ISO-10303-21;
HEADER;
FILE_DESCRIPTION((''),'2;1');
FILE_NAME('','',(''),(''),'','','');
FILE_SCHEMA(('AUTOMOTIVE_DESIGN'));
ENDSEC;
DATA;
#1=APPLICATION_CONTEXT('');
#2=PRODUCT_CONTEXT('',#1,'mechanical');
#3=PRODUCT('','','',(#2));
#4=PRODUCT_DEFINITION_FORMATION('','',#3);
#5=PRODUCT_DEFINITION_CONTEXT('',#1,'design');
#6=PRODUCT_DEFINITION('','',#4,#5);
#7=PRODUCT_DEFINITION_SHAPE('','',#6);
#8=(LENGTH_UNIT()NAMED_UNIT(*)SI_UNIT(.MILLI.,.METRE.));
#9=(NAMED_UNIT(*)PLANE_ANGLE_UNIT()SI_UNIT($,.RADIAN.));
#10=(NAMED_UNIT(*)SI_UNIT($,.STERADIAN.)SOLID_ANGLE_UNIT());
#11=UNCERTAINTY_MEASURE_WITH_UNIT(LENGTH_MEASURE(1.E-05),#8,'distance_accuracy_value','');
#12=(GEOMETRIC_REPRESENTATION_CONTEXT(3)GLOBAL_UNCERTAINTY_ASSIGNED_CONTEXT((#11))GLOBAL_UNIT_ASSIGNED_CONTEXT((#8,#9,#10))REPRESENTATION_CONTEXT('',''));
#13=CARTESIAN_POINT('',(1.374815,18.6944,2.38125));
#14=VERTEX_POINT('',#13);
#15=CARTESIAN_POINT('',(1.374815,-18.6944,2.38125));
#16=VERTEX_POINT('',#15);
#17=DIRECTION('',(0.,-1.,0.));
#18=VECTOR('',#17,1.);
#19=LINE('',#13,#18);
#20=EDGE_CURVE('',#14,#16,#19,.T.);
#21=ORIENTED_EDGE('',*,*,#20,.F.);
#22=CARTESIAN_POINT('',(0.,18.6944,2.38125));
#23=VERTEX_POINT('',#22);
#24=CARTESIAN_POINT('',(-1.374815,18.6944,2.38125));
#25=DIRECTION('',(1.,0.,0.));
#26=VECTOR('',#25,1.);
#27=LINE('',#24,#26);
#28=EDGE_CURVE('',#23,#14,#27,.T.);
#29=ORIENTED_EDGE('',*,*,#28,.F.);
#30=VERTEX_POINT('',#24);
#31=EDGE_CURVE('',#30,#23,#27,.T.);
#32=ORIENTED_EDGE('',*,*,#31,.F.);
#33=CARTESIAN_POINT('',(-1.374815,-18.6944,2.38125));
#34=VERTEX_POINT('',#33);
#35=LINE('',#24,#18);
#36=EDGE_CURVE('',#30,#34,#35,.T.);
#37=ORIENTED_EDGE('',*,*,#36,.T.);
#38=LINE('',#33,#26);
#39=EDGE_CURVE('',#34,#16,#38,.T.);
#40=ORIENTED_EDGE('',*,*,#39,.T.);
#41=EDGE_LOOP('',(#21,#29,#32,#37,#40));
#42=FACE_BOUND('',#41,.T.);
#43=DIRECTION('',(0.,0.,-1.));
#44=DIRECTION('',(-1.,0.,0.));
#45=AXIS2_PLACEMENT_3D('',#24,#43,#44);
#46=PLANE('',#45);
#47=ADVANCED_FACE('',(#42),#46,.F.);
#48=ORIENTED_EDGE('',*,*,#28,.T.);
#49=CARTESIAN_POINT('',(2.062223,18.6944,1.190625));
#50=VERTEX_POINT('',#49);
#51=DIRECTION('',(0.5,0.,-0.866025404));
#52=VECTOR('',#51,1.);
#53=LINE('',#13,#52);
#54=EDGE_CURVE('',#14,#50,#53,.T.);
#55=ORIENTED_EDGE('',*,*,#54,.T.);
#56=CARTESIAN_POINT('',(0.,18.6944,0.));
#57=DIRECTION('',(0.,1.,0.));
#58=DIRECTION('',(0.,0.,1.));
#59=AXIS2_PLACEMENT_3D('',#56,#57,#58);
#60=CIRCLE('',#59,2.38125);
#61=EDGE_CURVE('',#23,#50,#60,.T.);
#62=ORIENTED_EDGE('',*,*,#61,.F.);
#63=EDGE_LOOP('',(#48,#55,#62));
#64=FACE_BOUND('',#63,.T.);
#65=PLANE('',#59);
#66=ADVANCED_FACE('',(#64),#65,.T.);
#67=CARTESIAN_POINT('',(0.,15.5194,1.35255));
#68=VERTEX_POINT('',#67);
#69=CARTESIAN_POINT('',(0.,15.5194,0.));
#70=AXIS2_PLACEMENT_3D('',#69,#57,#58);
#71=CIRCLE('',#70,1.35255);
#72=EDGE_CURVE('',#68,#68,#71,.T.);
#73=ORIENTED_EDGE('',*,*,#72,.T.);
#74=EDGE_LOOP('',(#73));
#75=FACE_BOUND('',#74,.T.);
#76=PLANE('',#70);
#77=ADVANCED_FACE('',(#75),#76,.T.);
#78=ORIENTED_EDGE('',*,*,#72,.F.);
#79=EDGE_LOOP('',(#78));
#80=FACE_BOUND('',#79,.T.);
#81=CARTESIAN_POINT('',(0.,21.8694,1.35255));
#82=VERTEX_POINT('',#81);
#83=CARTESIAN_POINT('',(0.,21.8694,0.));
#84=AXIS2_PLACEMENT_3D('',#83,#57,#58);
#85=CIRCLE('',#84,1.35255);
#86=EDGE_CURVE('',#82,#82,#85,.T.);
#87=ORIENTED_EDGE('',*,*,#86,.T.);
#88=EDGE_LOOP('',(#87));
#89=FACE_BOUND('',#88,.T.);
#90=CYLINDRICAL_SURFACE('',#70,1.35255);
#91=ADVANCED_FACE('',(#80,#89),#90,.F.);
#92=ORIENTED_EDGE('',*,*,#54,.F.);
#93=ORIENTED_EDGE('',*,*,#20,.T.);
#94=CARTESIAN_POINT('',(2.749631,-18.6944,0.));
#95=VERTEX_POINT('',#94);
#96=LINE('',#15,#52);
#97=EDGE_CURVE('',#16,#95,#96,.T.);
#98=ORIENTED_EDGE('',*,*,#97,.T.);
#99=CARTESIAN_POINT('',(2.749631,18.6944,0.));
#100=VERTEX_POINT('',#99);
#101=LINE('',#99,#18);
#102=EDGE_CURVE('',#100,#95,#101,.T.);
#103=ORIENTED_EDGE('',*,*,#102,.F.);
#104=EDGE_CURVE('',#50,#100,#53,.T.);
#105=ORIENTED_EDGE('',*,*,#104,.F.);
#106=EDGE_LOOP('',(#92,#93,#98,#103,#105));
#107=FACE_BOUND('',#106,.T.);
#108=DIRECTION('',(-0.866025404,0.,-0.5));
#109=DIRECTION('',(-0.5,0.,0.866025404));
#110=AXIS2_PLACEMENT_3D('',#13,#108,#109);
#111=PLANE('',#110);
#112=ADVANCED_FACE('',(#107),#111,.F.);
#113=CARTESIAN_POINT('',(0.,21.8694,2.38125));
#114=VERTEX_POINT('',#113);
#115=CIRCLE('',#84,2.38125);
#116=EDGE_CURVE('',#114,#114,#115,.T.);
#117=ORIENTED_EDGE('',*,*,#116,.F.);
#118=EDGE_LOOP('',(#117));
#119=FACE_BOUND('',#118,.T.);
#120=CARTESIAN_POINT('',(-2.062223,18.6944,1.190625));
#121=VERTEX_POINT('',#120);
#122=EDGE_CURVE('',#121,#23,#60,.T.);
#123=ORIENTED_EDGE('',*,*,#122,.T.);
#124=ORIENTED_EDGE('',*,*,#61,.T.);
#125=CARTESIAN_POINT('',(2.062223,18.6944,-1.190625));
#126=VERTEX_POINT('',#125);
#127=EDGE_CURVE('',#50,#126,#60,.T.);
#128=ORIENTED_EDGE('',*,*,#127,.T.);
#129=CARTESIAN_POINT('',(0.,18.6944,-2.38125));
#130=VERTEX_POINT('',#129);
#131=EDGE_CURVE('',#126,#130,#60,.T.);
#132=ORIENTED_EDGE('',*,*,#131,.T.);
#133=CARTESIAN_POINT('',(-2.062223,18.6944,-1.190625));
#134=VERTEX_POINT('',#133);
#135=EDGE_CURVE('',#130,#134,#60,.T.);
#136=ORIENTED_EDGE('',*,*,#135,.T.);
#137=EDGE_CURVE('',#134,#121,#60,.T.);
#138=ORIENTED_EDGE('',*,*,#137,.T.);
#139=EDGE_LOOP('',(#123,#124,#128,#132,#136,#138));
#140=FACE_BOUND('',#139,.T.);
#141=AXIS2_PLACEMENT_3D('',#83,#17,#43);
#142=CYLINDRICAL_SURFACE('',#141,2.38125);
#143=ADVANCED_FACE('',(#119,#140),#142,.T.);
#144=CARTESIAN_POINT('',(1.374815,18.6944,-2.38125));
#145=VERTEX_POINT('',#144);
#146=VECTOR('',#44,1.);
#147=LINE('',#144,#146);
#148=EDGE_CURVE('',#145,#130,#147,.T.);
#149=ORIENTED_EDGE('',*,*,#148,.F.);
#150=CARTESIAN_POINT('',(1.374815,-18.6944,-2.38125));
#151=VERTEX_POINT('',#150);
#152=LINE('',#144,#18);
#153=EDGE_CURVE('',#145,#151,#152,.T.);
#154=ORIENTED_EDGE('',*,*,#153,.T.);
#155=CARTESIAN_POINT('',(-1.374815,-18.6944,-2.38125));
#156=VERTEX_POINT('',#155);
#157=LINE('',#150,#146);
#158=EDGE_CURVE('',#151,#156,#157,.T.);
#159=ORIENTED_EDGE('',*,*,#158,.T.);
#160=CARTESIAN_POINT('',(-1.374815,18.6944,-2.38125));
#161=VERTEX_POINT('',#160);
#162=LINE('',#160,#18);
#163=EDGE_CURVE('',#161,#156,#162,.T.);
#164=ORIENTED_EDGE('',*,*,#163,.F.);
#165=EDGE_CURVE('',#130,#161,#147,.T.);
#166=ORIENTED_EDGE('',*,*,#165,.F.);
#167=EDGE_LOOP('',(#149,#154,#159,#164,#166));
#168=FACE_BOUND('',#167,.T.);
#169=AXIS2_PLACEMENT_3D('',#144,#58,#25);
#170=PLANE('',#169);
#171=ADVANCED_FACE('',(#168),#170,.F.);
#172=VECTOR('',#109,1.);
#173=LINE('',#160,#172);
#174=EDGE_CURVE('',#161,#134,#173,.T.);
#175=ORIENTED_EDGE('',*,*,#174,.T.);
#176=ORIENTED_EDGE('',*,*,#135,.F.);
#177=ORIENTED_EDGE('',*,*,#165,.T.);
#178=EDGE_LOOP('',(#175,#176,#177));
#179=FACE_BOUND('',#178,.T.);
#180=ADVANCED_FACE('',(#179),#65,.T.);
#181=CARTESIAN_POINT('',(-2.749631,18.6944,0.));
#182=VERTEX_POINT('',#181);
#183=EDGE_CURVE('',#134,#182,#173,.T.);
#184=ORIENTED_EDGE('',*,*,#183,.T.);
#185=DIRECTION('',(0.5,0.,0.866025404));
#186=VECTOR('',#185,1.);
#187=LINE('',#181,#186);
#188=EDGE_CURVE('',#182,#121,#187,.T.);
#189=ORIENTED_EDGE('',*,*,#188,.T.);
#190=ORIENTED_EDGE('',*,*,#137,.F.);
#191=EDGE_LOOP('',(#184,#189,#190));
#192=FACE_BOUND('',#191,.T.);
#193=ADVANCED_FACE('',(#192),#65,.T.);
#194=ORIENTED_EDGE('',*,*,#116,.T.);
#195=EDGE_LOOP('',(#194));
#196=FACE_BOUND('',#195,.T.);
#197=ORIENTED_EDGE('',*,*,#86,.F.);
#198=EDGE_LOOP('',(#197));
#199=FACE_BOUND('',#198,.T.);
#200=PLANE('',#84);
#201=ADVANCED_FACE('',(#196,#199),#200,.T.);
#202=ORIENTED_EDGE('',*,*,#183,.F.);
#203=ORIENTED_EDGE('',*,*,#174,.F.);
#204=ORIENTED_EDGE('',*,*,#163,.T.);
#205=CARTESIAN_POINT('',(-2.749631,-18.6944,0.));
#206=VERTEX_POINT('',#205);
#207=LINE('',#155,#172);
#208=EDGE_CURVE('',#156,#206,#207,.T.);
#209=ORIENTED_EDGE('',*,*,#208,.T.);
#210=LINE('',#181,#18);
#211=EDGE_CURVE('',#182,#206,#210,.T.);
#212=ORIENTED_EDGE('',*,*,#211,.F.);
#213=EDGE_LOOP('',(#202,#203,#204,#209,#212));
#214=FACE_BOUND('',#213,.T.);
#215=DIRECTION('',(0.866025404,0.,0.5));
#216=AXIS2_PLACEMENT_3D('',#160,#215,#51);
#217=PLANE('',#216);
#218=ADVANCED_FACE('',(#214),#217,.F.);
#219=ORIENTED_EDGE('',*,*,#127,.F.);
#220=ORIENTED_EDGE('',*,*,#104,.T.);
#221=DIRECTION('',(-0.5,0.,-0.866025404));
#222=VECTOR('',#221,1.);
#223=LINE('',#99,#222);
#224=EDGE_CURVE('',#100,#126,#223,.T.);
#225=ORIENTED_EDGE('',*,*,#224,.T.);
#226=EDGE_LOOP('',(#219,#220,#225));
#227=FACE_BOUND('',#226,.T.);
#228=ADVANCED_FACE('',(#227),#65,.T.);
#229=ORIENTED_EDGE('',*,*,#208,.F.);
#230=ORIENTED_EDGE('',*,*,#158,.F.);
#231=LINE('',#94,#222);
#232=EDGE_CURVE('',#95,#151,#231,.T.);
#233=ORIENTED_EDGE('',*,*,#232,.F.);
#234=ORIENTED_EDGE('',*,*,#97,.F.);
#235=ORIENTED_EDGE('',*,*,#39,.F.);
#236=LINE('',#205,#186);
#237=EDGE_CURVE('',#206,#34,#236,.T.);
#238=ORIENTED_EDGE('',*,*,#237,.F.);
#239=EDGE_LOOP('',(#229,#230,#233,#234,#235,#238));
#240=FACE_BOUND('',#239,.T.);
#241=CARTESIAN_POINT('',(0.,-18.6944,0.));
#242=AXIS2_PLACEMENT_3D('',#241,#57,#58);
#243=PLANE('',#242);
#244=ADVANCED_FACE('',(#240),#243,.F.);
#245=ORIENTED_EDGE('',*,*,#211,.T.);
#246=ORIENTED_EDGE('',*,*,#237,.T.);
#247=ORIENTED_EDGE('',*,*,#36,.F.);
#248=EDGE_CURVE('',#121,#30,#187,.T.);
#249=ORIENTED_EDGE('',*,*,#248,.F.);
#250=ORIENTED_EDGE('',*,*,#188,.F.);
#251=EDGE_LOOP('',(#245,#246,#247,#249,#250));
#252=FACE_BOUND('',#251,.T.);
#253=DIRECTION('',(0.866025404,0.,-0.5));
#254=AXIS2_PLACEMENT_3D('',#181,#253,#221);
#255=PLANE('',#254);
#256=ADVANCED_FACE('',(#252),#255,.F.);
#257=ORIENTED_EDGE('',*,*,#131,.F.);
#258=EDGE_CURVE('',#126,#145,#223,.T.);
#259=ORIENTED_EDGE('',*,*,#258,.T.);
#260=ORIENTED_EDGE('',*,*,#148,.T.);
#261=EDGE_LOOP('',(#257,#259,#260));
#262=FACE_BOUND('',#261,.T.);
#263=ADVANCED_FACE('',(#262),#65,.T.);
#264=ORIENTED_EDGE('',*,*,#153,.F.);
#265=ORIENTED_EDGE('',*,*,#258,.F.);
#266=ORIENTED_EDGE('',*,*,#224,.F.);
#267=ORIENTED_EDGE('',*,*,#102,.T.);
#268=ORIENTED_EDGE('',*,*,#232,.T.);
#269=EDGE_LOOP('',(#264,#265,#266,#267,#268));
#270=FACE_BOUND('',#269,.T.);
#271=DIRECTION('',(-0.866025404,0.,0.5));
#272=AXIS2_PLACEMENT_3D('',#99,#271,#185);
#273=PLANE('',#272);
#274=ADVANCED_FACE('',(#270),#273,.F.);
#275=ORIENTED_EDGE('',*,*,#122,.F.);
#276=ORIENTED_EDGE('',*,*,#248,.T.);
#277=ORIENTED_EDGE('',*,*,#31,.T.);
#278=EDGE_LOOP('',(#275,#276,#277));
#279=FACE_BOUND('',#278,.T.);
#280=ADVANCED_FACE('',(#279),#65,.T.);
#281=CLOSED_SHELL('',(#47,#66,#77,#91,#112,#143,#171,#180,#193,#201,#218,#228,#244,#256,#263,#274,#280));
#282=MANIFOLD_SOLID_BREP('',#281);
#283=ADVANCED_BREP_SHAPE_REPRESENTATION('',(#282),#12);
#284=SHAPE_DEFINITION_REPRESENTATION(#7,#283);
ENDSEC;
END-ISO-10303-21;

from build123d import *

# Parameters (mm, degrees)
BOSS_EXTRUDE1_DEPTH = 18.6944
SKETCH2_R           = 2.38125
BOSS_EXTRUDE2_DEPTH = 3.175
SKETCH3_R           = 1.35255
CUT_EXTRUDE1_DEPTH  = 6.35


with BuildPart() as part:
    # Sketch1 → Boss-Extrude1 (new body, symmetric)
    with BuildSketch(Plane(origin=(0, 0, 0), x_dir=(1, 0, 0), z_dir=(0, 1, 0))):
        Polygon((1.374815329, -2.38125), (2.749630657, 0), (1.374815329, 2.38125), (-1.374815329, 2.38125), (-2.749630657, 0), (-1.374815329, -2.38125), align=None)
    extrude(amount=BOSS_EXTRUDE1_DEPTH, both=True)

    # Sketch2 → Boss-Extrude2 (add)
    with BuildSketch(Plane(origin=(0, 18.6944, 0), x_dir=(1, 0, 0), z_dir=(0, 1, 0))):
        Circle(SKETCH2_R)
    extrude(amount=BOSS_EXTRUDE2_DEPTH)

    # Sketch3 → Cut-Extrude1 (cut)
    with BuildSketch(Plane(origin=(0, 21.8694, 0), x_dir=(1, 0, 0), z_dir=(0, 1, 0))):
        Circle(SKETCH3_R)
    extrude(amount=-CUT_EXTRUDE1_DEPTH, mode=Mode.SUBTRACT)


solid = part.part
